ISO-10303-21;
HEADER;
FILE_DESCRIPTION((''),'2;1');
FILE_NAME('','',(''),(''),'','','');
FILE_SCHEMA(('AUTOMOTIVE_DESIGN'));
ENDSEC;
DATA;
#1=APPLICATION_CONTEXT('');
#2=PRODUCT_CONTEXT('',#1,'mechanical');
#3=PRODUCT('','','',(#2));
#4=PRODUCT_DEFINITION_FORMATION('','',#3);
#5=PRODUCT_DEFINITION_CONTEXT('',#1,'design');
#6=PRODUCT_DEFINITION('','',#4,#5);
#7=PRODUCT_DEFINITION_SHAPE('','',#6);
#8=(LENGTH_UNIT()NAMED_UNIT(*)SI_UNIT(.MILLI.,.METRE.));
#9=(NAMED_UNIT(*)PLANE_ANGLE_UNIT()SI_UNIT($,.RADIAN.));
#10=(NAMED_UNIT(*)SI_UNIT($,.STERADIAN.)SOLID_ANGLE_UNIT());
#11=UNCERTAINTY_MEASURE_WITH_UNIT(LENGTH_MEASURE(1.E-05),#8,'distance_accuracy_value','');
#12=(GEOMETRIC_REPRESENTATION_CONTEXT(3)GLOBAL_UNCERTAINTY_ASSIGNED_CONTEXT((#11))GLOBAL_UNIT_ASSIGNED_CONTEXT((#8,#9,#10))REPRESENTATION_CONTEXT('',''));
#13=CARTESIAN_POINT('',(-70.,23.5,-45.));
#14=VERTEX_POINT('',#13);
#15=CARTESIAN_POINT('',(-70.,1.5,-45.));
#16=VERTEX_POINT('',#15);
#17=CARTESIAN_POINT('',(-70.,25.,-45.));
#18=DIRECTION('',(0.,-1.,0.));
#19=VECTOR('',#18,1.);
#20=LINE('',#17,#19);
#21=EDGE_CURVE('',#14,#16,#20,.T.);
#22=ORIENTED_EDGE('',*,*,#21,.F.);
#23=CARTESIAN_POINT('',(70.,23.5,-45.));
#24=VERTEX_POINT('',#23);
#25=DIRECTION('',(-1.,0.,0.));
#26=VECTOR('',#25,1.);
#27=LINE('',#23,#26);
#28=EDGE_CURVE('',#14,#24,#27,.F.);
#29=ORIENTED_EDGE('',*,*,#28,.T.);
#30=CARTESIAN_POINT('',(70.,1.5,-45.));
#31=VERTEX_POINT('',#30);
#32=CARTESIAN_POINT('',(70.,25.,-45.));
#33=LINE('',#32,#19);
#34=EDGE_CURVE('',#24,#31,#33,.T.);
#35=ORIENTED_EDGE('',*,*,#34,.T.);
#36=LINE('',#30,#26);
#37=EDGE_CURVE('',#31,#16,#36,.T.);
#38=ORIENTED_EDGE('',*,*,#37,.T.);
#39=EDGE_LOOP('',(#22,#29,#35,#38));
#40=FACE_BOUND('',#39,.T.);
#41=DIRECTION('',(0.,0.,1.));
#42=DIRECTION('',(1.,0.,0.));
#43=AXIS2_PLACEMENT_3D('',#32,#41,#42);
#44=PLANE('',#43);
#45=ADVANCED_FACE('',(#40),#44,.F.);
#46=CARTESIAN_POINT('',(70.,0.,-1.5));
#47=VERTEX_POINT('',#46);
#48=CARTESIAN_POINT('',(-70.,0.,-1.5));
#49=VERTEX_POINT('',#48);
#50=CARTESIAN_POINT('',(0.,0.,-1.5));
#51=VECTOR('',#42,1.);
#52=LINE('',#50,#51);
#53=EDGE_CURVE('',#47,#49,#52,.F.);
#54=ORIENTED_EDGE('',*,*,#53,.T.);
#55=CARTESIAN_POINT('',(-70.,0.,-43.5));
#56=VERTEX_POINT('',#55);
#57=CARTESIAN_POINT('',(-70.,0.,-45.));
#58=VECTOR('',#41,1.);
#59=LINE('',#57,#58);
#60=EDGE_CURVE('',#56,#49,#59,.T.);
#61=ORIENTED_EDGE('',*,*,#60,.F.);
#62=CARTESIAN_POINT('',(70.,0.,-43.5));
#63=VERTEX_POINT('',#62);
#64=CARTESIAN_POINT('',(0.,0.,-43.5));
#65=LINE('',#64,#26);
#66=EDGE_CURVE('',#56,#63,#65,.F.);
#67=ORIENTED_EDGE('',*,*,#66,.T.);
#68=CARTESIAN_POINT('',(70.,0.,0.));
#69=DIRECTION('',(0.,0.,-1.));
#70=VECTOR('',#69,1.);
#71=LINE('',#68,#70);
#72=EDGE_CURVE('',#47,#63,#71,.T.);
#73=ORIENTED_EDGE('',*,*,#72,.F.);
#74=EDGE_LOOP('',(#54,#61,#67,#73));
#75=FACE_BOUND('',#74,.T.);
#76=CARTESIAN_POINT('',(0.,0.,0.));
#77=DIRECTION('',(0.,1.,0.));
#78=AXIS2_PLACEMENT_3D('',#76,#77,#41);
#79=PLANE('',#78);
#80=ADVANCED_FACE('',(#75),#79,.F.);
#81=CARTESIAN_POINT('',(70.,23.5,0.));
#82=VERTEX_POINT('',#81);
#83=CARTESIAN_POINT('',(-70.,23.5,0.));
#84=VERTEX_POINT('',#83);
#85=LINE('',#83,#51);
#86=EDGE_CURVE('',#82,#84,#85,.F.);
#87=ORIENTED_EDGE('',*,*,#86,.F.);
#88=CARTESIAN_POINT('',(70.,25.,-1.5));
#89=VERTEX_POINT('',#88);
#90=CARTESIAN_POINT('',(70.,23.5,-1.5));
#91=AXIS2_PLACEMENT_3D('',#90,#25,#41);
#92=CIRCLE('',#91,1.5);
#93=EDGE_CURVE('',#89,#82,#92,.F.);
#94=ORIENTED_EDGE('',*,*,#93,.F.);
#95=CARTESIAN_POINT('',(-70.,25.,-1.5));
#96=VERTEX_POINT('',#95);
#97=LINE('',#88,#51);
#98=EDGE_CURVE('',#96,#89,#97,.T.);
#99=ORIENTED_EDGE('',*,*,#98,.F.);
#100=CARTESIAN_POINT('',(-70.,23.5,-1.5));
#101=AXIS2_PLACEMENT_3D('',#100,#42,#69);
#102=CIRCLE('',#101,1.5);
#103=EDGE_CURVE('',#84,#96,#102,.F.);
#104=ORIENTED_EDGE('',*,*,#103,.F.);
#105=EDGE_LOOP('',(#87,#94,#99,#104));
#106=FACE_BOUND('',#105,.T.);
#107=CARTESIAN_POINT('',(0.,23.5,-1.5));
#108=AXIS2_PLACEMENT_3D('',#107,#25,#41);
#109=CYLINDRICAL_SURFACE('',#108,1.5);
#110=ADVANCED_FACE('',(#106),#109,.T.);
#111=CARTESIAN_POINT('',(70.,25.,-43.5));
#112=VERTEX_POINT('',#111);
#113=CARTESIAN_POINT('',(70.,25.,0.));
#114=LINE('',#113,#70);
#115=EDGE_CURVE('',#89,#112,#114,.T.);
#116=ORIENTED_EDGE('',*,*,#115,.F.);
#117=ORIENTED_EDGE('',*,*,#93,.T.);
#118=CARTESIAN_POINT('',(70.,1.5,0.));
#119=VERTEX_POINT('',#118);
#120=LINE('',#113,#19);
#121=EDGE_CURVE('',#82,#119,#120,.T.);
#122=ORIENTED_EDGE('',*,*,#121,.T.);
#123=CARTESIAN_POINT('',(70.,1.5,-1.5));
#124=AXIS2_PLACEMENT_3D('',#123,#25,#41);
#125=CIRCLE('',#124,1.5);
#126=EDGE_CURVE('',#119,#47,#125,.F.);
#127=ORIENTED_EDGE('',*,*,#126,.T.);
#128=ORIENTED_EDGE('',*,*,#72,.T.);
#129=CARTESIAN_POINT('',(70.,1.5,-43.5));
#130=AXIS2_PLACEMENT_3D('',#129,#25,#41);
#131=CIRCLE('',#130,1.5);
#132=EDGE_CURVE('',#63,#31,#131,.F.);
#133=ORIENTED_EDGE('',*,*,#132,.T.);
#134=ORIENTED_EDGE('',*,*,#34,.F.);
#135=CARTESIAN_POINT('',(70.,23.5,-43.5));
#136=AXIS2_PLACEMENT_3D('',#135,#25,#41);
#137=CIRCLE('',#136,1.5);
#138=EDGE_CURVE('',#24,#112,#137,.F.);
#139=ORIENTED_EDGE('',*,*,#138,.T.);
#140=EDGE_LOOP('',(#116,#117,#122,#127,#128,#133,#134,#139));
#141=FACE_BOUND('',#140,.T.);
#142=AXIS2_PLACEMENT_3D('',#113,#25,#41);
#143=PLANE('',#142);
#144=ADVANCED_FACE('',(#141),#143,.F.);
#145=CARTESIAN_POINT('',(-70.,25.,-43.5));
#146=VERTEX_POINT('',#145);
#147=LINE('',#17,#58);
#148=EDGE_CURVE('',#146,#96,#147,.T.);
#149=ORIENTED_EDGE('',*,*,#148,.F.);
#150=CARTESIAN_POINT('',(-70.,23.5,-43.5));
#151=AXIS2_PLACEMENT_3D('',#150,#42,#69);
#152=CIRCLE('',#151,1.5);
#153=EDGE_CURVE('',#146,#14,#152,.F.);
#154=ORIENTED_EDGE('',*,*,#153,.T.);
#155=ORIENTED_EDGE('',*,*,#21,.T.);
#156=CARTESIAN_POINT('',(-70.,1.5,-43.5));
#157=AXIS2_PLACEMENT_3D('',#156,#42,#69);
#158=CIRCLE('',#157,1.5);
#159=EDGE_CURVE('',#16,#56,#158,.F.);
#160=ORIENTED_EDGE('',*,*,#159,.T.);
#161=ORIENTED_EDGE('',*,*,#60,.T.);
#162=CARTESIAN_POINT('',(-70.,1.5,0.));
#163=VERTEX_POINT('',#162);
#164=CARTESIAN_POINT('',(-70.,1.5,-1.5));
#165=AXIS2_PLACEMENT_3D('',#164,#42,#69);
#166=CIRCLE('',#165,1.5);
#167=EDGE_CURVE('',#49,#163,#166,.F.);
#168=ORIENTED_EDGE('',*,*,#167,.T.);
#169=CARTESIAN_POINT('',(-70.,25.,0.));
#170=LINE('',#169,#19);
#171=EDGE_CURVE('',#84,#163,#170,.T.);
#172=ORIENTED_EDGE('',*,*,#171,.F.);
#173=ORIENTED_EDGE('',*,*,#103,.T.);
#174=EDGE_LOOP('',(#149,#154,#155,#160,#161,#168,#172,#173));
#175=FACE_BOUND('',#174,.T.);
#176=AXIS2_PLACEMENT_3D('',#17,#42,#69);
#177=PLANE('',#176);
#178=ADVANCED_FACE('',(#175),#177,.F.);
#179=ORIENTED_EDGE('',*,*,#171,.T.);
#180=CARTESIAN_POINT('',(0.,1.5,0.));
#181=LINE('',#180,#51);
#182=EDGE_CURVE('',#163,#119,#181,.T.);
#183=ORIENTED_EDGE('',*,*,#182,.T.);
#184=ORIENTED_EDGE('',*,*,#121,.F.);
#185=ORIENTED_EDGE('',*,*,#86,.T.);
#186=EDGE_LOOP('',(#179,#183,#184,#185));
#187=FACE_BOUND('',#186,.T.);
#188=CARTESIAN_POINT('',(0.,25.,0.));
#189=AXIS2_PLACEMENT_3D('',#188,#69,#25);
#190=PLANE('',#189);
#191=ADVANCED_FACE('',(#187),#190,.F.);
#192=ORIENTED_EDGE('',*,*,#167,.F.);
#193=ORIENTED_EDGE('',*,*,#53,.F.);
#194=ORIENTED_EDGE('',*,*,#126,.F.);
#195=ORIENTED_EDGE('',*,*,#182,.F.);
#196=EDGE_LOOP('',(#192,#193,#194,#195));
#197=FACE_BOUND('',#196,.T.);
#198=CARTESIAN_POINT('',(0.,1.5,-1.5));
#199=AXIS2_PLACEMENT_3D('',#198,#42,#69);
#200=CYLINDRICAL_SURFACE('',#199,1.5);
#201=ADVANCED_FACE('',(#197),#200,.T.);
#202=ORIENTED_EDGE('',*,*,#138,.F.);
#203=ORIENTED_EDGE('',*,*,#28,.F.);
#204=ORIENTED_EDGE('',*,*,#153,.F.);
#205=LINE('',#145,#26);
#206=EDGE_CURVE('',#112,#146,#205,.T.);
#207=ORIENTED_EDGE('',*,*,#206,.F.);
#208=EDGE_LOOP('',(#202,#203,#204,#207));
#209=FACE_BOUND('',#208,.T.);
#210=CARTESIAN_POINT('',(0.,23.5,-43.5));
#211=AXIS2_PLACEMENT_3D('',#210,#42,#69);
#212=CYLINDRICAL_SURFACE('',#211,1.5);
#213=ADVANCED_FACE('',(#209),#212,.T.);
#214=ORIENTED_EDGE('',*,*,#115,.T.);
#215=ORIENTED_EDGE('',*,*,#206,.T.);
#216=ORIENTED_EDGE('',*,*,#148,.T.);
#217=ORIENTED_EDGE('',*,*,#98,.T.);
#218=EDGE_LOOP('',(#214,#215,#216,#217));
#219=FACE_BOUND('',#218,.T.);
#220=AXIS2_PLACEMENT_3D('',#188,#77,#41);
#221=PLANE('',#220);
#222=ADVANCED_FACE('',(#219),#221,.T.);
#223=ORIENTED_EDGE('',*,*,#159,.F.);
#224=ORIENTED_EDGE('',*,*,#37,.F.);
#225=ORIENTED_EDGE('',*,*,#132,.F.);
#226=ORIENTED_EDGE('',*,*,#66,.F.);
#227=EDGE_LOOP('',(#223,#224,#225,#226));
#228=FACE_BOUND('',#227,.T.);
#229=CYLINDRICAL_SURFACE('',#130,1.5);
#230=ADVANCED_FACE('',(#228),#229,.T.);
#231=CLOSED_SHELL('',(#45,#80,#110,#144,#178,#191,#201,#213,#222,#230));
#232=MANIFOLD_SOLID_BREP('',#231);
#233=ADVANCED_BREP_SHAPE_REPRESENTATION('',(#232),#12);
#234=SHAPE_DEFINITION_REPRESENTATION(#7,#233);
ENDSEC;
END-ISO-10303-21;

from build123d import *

# Parameters (mm, degrees)
BOSS_EXTRU_1_DEPTH = 25
CONG_1_R           = 1.5


with BuildPart() as part:
    # Esquisse2 → Boss.-Extru.1 (new body)
    with BuildSketch(Plane(origin=(0, 0, 0), x_dir=(1, 0, 0), z_dir=(0, 1, 0))):
        Polygon((0, 0), (70, 0), (70, 45), (-70, 45), (-70, 0), align=None)
    extrude(amount=BOSS_EXTRU_1_DEPTH)

    # Congé1
    cong_1_edges = [part.edges().sort_by_distance(p)[0] for p in [
        (0, 25, -45),
        (0, 25, 0),
        (0, 0, -45),
        (0, 0, 0),
    ]]
    fillet(cong_1_edges, radius=CONG_1_R)


solid = part.part
